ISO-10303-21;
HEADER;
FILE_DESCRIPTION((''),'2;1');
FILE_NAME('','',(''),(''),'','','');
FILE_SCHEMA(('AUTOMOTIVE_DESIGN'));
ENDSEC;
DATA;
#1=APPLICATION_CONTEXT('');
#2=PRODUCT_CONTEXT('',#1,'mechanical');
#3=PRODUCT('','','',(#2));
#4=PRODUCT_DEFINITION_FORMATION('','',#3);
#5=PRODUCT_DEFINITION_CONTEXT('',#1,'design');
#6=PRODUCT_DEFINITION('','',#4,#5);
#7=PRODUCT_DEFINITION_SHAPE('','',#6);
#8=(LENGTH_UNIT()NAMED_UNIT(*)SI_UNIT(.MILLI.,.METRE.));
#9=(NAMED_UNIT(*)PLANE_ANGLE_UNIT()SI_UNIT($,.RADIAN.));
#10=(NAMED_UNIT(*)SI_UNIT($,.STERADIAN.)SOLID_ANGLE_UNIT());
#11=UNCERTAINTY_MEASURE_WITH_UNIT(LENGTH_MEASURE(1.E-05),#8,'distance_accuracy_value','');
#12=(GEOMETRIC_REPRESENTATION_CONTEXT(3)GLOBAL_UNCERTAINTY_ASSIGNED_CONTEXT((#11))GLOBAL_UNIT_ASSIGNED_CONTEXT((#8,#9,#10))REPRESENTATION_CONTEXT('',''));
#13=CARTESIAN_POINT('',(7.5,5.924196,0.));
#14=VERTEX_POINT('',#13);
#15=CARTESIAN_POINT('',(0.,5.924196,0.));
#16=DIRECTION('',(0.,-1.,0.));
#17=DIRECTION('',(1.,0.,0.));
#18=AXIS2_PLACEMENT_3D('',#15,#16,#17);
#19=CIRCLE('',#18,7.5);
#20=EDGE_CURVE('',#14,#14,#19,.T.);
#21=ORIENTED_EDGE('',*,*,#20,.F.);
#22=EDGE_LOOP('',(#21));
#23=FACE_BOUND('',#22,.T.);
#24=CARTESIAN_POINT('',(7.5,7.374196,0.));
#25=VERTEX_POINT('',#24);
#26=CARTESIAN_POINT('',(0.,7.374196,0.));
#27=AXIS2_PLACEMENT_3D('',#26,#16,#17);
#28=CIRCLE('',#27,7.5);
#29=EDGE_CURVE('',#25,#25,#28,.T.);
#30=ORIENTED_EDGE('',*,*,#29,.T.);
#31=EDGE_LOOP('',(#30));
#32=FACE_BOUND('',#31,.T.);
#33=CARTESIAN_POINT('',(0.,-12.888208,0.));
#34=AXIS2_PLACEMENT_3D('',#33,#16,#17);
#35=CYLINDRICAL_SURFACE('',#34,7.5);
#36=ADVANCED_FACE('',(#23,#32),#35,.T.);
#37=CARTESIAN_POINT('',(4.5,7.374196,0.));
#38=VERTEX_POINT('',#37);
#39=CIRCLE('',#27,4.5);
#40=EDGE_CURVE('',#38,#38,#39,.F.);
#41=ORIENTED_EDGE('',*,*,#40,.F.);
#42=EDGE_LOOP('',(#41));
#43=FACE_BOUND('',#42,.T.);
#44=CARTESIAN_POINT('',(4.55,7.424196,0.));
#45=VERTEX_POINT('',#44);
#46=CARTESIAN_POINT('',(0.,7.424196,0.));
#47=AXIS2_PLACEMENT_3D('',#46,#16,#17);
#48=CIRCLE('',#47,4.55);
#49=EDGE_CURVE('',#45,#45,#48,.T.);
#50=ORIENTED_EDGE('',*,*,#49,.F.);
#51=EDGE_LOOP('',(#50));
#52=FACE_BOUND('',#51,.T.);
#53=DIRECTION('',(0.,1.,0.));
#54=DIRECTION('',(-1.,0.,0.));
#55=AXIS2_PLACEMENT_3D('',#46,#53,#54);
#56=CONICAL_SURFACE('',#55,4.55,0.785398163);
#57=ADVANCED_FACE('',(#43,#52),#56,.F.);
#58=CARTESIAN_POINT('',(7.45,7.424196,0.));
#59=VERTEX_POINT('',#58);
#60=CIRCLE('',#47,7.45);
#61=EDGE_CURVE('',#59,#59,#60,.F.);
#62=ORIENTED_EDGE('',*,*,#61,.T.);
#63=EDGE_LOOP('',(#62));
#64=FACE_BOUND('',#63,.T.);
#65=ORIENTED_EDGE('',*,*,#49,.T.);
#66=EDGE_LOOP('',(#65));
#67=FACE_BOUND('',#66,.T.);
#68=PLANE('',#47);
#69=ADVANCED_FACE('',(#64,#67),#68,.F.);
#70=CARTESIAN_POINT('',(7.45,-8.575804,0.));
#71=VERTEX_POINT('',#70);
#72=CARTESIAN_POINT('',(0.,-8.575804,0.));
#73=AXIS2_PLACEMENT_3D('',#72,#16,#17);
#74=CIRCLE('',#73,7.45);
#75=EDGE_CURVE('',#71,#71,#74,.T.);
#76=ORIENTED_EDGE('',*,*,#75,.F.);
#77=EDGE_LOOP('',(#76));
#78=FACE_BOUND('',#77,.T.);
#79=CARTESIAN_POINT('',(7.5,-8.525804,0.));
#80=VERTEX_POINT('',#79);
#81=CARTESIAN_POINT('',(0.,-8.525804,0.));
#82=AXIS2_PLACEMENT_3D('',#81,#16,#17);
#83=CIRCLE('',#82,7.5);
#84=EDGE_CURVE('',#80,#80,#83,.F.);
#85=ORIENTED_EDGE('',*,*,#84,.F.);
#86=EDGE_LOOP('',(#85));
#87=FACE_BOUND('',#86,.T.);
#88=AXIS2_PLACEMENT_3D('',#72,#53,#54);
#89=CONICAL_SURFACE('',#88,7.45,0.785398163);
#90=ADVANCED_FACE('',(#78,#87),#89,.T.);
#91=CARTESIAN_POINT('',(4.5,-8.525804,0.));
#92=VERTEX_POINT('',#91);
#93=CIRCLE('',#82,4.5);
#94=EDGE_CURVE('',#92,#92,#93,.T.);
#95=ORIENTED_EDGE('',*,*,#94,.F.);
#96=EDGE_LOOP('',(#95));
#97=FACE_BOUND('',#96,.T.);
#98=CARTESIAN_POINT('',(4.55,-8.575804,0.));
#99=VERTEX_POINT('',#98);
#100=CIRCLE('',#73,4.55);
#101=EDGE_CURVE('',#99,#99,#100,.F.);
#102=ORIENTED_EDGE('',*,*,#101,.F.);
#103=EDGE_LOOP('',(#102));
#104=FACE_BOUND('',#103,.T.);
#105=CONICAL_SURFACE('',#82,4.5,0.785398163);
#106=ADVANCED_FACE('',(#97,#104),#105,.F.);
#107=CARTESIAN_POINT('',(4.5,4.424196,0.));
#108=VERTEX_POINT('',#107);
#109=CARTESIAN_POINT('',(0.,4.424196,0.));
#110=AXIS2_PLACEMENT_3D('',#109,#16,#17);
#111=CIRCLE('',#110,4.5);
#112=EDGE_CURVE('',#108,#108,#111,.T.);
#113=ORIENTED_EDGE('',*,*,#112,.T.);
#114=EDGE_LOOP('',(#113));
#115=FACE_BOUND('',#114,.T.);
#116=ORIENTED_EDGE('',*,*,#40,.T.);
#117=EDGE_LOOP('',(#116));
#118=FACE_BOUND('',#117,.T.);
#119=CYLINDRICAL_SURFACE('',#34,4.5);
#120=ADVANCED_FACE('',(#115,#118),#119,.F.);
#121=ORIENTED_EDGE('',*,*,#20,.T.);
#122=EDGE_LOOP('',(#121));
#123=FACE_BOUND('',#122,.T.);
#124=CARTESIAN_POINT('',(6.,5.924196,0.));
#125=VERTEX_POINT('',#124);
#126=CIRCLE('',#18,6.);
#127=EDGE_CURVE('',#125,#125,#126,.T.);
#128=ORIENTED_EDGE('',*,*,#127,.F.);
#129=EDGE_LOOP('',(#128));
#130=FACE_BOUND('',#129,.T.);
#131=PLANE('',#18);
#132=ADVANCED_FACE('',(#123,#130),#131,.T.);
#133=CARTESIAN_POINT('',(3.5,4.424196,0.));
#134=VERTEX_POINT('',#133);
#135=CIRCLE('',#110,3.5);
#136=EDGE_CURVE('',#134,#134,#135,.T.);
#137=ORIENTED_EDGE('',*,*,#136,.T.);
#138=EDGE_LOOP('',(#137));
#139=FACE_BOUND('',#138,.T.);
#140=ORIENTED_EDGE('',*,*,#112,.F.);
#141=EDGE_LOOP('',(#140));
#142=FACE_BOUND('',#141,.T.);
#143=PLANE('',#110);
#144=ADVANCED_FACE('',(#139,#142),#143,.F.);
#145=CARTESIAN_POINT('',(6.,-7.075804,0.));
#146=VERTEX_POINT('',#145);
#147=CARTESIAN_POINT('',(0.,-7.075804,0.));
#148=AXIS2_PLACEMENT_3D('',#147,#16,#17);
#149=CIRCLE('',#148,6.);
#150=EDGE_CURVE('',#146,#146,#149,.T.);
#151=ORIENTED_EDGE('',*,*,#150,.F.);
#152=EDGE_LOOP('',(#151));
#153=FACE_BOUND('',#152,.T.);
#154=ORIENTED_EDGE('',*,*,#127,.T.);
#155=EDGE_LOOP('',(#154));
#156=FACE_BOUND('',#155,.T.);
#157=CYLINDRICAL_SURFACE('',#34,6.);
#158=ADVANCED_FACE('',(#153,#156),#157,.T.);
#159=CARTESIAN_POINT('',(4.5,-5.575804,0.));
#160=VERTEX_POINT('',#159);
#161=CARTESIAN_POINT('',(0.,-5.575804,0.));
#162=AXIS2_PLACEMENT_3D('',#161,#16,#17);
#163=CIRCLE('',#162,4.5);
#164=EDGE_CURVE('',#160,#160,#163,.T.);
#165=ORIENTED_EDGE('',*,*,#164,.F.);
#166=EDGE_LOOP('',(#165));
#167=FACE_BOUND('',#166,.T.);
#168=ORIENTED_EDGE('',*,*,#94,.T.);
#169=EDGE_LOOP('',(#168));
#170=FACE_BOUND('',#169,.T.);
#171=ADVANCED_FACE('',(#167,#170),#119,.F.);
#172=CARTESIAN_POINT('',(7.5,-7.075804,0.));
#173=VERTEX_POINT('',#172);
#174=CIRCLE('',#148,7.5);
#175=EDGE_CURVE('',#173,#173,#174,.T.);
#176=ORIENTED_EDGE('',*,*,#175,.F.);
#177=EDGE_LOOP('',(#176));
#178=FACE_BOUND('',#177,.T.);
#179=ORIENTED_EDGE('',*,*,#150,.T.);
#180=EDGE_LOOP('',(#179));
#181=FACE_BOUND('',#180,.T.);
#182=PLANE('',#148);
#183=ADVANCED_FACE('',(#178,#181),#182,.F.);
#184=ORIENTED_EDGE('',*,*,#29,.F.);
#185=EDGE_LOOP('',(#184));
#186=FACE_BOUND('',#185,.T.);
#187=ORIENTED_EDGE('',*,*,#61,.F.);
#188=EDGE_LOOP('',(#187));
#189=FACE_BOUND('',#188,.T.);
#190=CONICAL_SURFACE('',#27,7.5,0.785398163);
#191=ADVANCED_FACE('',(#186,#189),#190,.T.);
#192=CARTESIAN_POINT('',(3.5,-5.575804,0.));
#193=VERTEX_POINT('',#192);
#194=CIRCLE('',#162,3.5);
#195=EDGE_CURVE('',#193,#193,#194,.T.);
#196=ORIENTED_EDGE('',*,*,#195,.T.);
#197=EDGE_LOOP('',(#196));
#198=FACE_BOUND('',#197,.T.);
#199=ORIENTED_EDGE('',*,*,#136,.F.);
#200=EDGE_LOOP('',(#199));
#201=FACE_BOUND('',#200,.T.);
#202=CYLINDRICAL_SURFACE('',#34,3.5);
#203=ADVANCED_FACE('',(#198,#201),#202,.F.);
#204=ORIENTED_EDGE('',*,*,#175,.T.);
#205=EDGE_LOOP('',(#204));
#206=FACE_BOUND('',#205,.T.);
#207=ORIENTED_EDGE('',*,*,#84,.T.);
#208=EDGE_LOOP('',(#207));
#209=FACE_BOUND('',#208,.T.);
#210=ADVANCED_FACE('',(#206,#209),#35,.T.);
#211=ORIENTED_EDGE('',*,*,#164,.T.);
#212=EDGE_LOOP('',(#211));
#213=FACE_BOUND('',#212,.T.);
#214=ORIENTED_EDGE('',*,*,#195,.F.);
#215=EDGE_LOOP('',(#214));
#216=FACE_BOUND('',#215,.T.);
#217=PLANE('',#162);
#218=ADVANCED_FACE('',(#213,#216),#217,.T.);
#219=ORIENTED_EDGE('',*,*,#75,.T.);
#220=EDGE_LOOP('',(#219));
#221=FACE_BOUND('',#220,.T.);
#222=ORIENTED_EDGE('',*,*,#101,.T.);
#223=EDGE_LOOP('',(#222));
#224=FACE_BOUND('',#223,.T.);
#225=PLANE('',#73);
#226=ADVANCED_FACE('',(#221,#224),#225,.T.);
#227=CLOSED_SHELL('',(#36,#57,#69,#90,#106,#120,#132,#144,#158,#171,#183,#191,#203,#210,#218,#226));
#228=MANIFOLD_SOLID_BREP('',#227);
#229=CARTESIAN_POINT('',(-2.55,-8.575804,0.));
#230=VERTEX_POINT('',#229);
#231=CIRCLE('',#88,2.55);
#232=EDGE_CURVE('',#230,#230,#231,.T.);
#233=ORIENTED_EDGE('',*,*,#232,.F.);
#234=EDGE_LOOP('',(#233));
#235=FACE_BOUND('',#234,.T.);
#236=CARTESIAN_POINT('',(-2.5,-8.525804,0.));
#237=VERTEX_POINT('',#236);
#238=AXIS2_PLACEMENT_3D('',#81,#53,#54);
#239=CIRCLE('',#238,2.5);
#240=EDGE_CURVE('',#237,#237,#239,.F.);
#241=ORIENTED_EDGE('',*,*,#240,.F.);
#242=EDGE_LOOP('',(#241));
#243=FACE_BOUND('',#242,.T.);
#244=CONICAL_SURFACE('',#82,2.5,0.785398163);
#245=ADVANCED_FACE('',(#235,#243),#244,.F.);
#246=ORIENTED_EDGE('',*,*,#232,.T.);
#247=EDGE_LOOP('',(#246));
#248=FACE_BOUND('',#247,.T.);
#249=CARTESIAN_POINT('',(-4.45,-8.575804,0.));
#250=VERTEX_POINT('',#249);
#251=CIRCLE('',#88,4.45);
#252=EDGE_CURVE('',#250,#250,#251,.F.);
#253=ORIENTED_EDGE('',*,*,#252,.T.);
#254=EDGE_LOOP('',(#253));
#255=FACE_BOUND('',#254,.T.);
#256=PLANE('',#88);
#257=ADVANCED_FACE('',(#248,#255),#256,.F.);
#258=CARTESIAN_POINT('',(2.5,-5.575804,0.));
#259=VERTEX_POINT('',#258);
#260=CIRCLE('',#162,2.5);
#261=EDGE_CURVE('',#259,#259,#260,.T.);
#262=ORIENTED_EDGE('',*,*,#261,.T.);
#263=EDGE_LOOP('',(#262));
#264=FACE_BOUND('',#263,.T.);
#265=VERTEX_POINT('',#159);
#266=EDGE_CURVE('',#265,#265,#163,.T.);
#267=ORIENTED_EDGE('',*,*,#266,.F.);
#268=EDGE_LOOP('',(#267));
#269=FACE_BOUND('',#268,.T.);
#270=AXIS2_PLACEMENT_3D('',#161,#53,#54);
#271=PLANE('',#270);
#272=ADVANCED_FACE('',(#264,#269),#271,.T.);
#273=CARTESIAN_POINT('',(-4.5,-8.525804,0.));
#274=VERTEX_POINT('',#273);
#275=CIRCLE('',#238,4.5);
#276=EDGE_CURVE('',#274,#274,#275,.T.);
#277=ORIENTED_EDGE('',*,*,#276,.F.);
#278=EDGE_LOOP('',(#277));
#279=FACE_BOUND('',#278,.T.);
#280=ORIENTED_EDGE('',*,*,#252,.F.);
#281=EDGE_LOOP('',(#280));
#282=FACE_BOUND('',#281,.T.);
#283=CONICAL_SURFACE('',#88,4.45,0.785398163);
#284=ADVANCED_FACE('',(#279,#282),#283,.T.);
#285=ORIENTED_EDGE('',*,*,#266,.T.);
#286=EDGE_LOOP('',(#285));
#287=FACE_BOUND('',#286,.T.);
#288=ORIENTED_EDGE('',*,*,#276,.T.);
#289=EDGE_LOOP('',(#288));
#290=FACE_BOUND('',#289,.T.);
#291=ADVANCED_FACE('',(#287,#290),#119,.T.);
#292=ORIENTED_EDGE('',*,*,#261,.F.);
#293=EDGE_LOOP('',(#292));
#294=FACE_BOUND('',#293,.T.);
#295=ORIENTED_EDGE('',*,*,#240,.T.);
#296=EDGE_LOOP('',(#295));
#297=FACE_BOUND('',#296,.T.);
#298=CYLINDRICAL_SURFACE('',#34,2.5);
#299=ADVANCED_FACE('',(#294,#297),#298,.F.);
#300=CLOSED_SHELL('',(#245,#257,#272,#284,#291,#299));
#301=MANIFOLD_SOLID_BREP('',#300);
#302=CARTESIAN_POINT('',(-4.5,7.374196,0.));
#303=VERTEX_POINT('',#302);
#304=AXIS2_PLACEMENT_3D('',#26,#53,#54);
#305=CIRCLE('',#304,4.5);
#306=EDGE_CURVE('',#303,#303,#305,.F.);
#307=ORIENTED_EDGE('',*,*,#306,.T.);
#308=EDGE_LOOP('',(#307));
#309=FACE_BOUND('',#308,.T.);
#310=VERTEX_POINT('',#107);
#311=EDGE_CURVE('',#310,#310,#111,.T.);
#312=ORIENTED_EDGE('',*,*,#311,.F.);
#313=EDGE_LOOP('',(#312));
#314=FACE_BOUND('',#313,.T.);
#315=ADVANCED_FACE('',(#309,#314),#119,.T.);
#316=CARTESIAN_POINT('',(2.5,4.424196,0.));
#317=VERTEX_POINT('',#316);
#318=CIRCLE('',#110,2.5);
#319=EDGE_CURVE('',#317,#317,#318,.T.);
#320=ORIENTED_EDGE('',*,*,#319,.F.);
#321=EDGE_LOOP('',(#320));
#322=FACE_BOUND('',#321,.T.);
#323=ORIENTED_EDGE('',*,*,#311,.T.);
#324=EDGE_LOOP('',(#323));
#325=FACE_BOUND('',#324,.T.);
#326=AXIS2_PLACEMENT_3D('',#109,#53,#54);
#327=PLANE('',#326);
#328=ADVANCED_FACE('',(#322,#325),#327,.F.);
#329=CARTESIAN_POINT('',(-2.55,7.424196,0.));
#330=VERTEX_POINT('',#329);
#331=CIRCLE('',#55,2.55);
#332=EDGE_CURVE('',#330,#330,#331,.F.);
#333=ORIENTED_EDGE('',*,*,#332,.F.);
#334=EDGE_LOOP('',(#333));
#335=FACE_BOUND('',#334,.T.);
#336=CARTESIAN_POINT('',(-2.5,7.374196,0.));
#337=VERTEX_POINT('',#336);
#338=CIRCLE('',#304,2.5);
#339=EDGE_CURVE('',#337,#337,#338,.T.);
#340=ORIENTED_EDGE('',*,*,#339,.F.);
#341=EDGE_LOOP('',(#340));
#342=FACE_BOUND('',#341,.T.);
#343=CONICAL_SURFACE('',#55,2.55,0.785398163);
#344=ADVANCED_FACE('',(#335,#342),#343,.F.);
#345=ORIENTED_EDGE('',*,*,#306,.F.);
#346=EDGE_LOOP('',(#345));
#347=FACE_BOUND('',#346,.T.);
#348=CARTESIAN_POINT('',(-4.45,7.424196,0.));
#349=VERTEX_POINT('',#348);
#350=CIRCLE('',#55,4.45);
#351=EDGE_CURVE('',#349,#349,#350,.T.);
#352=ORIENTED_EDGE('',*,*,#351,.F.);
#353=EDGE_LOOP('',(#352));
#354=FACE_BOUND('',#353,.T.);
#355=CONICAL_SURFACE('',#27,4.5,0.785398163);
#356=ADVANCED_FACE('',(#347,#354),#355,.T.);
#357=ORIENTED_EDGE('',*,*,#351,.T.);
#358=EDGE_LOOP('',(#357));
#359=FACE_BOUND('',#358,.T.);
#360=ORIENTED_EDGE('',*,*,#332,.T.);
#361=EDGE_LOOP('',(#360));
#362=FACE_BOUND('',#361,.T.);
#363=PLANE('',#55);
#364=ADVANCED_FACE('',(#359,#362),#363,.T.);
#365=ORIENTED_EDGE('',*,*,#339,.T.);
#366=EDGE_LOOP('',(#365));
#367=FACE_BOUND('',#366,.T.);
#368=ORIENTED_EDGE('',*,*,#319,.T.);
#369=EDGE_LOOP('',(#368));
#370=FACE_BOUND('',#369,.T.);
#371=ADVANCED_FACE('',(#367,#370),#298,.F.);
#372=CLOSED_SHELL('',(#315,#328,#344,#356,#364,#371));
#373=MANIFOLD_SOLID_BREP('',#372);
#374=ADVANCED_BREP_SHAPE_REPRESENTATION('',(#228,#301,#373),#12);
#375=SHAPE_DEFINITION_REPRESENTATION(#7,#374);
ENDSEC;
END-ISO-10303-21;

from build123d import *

# Parameters (mm, degrees)
CHAMFER1_SIZE = 0.05
SKETCH1_3_W   = 2
SKETCH1_3_H   = 3
CHAMFER2_SIZE = 0.05
CHAMFER3_SIZE = 0.05


with BuildPart() as part:
    # Sketch1 → Revolve1 (revolve)
    with BuildSketch(Plane.XY):
        Polygon((6, -7.075803982), (6, 5.924196018), (7.5, 5.924196018), (7.5, 7.424196018), (4.5, 7.424196018), (4.5, 4.424196018), (3.5, 4.424196018), (3.5, -5.575803982), (4.5, -5.575803982), (4.5, -8.575803982), (7.5, -8.575803982), (7.5, -7.075803982), align=None)
    revolve(axis=Axis((0, -12.88820827, 0), (0, 1, 0)))

    # Chamfer1
    chamfer1_edges = [part.edges().sort_by_distance(p)[0] for p in [
        (-4.5, -8.575803982, 0),
        (-4.5, 7.424196018, 0),
        (-7.5, 7.424196018, 0),
        (-7.5, -8.575803982, 0),
    ]]
    chamfer(chamfer1_edges, length=CHAMFER1_SIZE)


with BuildPart() as body_2:
    # Sketch1<3> → Revolve2 (revolve)
    with BuildSketch(Plane.XY):
        with Locations((3.5, 5.924196018)):
            Rectangle(SKETCH1_3_W, SKETCH1_3_H)
        with Locations((3.5, -7.075803982)):
            Rectangle(SKETCH1_3_W, SKETCH1_3_H)
    revolve(axis=Axis((0, -12.88820827, 0), (0, 1, 0)))

    # Chamfer2
    chamfer2_edges = [body_2.edges().sort_by_distance(p)[0] for p in [
        (-4.5, -8.575803982, 0),
        (-2.5, -8.575803982, 0),
    ]]
    chamfer(chamfer2_edges, length=CHAMFER2_SIZE)

    # Chamfer3
    chamfer3_edges = [body_2.edges().sort_by_distance(p)[0] for p in [
        (-4.5, 7.424196018, 0),
        (-2.5, 7.424196018, 0),
    ]]
    chamfer(chamfer3_edges, length=CHAMFER3_SIZE)


solid = Compound([part.part, body_2.part])
